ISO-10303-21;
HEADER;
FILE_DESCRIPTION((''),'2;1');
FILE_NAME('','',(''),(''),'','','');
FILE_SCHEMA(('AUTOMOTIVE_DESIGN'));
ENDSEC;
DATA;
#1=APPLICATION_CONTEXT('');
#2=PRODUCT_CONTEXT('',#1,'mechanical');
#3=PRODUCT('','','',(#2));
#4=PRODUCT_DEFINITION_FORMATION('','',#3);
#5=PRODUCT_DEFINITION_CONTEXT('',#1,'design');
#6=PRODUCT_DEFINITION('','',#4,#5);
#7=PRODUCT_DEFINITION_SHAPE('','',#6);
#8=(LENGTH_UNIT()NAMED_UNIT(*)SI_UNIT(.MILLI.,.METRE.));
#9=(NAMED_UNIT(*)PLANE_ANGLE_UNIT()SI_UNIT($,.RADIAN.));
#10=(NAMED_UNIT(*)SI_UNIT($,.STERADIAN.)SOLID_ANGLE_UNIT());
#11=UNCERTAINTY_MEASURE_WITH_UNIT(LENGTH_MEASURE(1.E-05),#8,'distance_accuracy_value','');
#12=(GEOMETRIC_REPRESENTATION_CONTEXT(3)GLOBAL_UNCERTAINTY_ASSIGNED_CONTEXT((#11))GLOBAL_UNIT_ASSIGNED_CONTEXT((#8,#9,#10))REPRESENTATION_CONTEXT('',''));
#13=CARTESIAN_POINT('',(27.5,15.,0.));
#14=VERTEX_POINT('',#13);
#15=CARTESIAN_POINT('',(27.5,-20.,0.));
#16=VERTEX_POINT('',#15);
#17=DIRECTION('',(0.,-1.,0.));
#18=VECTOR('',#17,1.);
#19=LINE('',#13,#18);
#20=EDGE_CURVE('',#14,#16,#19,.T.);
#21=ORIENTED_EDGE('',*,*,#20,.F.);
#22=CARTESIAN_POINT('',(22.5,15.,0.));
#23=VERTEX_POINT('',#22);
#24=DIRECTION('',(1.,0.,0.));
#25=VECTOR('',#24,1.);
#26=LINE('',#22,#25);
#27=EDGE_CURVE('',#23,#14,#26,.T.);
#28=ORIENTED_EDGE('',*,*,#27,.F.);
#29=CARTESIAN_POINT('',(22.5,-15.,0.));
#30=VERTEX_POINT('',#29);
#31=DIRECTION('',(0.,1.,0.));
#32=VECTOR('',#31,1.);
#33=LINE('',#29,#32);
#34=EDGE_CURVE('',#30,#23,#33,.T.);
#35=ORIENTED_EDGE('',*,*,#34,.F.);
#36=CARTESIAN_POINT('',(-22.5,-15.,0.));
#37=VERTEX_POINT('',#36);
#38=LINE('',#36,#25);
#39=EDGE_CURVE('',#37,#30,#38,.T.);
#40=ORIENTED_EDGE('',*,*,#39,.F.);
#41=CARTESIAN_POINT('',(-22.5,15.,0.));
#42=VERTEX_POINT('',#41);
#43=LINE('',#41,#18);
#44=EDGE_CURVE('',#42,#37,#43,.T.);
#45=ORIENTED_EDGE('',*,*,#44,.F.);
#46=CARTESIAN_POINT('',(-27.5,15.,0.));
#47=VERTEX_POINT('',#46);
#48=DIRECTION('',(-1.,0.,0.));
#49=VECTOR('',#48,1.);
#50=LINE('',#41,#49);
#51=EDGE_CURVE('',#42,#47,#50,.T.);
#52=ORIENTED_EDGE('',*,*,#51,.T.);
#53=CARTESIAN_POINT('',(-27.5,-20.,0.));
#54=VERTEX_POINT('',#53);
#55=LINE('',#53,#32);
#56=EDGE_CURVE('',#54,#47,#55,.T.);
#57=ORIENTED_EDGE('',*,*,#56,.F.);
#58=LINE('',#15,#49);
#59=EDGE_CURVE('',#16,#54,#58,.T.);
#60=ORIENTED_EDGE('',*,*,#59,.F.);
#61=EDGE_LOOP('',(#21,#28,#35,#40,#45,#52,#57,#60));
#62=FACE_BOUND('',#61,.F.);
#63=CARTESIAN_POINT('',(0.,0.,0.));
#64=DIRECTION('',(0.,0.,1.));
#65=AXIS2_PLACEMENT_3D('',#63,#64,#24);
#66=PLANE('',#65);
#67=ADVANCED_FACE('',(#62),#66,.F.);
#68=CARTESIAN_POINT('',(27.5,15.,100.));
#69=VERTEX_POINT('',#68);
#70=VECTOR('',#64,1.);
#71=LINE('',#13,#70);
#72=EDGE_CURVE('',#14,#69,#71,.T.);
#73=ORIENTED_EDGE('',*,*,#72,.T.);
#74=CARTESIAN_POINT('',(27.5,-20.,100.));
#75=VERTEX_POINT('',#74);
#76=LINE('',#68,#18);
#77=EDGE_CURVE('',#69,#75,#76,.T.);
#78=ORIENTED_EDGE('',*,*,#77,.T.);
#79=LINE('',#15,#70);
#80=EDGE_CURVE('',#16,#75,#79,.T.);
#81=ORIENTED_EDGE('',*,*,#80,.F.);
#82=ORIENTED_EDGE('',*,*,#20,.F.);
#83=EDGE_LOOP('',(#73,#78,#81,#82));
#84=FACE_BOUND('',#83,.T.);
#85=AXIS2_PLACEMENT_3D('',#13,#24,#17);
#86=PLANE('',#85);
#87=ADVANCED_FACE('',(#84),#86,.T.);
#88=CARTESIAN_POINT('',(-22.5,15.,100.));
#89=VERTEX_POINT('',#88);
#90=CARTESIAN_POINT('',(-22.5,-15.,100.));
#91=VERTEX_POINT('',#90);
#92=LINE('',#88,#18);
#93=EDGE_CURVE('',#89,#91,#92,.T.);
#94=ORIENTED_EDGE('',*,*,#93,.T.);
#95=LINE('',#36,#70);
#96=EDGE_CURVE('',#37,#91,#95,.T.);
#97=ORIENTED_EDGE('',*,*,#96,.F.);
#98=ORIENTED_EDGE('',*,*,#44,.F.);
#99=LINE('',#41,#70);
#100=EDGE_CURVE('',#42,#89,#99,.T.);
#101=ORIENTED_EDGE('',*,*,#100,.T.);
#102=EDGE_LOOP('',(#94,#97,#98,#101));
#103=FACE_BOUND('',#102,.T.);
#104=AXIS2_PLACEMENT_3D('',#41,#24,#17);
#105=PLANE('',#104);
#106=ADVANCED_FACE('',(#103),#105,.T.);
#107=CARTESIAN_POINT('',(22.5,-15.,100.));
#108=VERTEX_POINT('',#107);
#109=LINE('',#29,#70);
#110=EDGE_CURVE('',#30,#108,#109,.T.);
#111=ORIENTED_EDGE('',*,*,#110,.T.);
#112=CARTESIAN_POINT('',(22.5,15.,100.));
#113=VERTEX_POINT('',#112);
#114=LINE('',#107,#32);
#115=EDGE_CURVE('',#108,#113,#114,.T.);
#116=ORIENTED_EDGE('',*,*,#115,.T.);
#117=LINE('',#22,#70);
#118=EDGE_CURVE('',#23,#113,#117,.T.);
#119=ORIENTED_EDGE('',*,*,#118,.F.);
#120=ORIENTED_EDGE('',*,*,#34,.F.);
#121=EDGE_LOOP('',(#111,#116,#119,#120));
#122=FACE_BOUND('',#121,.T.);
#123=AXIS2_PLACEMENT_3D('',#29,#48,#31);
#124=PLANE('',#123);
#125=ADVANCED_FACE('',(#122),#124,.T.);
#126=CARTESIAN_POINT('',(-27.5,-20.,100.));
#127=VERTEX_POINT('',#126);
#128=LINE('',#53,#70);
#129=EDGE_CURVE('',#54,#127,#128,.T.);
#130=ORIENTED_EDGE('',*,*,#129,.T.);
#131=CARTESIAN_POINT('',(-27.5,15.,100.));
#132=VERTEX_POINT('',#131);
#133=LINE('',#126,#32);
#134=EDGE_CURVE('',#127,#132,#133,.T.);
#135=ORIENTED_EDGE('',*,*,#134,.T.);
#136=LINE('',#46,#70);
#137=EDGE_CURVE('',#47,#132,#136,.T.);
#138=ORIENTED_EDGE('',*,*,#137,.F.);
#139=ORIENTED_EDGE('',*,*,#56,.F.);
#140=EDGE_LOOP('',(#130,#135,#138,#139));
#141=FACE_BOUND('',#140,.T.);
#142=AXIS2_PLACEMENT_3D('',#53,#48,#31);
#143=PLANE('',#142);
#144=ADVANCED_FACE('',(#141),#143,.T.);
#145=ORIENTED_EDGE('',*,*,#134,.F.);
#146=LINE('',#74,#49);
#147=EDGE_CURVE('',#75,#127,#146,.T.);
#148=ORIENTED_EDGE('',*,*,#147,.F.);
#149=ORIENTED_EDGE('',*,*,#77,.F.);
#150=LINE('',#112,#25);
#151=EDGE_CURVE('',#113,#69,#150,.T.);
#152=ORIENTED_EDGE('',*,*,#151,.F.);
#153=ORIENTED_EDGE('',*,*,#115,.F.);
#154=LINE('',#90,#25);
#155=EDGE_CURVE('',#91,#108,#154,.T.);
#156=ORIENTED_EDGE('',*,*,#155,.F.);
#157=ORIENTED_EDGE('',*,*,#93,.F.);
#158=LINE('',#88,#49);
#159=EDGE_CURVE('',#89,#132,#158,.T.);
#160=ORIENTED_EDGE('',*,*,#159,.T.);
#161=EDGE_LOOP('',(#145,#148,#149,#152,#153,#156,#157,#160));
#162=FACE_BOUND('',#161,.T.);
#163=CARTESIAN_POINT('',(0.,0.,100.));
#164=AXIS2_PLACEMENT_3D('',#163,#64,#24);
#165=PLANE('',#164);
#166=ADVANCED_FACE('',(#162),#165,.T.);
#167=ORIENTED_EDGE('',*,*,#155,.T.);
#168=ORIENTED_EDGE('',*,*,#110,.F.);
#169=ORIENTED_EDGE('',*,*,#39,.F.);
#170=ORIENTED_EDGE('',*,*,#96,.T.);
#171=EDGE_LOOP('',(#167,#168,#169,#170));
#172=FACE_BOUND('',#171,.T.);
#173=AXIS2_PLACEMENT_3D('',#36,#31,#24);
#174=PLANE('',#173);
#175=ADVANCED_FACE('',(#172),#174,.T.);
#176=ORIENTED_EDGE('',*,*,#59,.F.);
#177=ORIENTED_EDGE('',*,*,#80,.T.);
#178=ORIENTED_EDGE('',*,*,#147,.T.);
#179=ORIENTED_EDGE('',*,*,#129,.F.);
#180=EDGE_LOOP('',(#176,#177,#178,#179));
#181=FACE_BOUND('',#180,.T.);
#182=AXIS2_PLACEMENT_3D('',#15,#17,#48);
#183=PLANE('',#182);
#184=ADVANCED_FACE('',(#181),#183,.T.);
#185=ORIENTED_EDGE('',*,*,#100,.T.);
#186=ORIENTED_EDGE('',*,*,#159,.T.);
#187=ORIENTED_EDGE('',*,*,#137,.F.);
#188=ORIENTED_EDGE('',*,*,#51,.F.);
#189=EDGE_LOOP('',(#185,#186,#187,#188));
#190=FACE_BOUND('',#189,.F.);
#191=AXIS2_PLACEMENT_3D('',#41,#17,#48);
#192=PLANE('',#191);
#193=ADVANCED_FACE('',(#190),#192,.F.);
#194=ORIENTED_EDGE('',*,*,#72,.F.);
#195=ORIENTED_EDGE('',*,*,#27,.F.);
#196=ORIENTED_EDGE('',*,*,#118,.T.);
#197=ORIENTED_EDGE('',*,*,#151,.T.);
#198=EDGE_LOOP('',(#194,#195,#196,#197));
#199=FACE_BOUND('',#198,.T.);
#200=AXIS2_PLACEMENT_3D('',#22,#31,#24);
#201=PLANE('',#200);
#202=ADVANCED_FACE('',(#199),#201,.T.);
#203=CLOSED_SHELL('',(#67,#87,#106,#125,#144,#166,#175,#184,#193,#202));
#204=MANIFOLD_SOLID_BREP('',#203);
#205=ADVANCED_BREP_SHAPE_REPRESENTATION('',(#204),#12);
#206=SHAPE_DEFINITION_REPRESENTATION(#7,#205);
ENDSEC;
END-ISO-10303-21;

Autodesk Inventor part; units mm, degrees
ref_plane "YZ Plane" through (0, 0, 0) normal (1, 0, 0) x (0, 1, 0)
ref_plane "XZ Plane" through (0, 0, 0) normal (0, 1, 0) x (-1, 0, 0)
ref_plane "XY Plane" through (0, 0, 0) normal (0, 0, 1) x (1, 0, 0)
sketch "Sketch1" plane through (0, 0, 0) normal (0, 0, 1) x (1, 0, 0)
  line L0 (22.5, 15) -> (-22.5, 15) construction
  line L1 (-22.5, 15) -> (-22.5, -15)
  line L2 (-22.5, -15) -> (22.5, -15)
  line L3 (22.5, -15) -> (22.5, 15)
  line L4 (22.5, 15) -> (-22.5, -15) construction
  line L5 (-22.5, 15) -> (22.5, -15) construction
  line L6 (-27.5, -20) -> (-27.5, 15)
  line L7 (-27.5, 20) -> (27.5, 20) construction
  line L8 (27.5, 20) -> (27.5, 15) construction
  line L9 (27.5, -20) -> (-27.5, -20)
  line L10 (-22.5, 15) -> (-27.5, 15)
  line L11 (22.5, 15) -> (27.5, 15)
  line L12 (-27.5, 15) -> (-27.5, 20) construction
  line L13 (27.5, 15) -> (27.5, -20)
  point P0 (0, 0)
  dimension "d0" = 45
  dimension "d1" = 30
  dimension "d2" = 5
  dimension "d3" = 5
  dimension "d4" = 5
  dimension "d5" = 40
extrude "Extrusion1" add sketch "Sketch1" along normal blind 100
properties part number "track z2029"
